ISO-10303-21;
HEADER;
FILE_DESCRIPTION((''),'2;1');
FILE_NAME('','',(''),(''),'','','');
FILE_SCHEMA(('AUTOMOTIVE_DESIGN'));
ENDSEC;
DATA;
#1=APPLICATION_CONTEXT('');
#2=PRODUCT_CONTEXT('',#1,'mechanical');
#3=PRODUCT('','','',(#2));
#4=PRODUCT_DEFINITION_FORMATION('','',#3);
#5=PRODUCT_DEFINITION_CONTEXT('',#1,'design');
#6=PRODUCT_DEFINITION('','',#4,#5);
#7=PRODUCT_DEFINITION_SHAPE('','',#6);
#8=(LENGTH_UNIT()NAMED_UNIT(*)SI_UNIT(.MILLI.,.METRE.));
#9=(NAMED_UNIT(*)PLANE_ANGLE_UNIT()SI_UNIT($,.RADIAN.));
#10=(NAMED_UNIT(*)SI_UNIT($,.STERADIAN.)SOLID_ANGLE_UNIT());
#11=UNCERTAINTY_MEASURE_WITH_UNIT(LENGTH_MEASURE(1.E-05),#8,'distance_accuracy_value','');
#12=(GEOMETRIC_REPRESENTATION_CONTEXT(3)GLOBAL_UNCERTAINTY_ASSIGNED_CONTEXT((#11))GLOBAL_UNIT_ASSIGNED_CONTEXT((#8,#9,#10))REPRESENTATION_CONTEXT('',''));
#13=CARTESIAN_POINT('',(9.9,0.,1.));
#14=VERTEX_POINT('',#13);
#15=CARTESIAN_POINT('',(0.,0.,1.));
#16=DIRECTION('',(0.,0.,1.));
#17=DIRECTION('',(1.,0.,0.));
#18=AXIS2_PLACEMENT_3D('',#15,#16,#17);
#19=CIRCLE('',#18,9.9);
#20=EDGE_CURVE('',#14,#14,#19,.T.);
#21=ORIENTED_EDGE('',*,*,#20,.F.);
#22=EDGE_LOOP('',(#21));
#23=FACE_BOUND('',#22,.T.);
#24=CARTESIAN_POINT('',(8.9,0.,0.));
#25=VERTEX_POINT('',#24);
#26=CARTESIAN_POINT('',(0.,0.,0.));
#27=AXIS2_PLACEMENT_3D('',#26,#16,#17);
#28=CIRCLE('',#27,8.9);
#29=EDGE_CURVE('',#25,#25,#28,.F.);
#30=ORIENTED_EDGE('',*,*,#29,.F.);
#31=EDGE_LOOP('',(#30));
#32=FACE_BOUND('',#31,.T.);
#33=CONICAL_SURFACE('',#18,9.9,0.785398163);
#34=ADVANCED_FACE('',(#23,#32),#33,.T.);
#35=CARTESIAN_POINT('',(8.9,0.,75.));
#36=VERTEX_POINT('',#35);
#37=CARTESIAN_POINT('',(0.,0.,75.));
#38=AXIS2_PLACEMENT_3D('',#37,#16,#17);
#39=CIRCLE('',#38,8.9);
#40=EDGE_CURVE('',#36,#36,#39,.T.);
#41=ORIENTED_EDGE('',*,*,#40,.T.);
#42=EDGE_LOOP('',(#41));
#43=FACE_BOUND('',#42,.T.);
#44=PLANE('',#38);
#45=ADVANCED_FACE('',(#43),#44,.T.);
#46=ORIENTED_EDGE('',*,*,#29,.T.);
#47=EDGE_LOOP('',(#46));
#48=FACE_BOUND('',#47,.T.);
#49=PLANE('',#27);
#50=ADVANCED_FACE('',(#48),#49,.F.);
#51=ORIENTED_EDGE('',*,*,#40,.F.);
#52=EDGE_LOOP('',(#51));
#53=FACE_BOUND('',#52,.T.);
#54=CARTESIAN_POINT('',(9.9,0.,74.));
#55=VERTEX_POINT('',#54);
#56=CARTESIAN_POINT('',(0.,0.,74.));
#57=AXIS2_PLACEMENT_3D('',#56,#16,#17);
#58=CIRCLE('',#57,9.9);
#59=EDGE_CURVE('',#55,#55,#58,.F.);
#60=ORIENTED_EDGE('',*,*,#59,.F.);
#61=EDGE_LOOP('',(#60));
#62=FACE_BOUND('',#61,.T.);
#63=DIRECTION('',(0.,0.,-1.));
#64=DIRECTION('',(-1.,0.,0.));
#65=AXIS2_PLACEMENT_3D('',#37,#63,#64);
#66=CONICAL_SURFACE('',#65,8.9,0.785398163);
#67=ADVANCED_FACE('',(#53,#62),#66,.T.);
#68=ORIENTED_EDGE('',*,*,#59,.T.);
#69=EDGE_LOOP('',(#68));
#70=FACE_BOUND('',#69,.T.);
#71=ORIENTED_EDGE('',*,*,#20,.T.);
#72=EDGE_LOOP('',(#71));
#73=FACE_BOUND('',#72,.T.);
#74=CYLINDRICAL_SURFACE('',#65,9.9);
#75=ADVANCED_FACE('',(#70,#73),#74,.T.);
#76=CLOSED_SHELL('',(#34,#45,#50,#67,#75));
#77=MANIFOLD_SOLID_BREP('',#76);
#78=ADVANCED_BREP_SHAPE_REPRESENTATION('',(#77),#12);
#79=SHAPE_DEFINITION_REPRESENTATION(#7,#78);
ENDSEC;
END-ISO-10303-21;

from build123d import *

# Parameters (mm, degrees)
SKETCH1_R           = 9.9
BOSS_EXTRUDE1_DEPTH = 75
CHAMFER1_SIZE       = 1
CHAMFER2_SIZE       = 1


with BuildPart() as part:
    # Sketch1 → Boss-Extrude1 (new body)
    with BuildSketch(Plane.XY):
        Circle(SKETCH1_R)
    extrude(amount=BOSS_EXTRUDE1_DEPTH)

    # Chamfer1
    chamfer1_edges = [part.edges().sort_by_distance(p)[0] for p in [
        (-9.9, 0, 0),
    ]]
    chamfer(chamfer1_edges, length=CHAMFER1_SIZE)

    # Chamfer2
    chamfer2_edges = [part.edges().sort_by_distance(p)[0] for p in [
        (-9.9, 0, 75),
    ]]
    chamfer(chamfer2_edges, length=CHAMFER2_SIZE)


solid = part.part
